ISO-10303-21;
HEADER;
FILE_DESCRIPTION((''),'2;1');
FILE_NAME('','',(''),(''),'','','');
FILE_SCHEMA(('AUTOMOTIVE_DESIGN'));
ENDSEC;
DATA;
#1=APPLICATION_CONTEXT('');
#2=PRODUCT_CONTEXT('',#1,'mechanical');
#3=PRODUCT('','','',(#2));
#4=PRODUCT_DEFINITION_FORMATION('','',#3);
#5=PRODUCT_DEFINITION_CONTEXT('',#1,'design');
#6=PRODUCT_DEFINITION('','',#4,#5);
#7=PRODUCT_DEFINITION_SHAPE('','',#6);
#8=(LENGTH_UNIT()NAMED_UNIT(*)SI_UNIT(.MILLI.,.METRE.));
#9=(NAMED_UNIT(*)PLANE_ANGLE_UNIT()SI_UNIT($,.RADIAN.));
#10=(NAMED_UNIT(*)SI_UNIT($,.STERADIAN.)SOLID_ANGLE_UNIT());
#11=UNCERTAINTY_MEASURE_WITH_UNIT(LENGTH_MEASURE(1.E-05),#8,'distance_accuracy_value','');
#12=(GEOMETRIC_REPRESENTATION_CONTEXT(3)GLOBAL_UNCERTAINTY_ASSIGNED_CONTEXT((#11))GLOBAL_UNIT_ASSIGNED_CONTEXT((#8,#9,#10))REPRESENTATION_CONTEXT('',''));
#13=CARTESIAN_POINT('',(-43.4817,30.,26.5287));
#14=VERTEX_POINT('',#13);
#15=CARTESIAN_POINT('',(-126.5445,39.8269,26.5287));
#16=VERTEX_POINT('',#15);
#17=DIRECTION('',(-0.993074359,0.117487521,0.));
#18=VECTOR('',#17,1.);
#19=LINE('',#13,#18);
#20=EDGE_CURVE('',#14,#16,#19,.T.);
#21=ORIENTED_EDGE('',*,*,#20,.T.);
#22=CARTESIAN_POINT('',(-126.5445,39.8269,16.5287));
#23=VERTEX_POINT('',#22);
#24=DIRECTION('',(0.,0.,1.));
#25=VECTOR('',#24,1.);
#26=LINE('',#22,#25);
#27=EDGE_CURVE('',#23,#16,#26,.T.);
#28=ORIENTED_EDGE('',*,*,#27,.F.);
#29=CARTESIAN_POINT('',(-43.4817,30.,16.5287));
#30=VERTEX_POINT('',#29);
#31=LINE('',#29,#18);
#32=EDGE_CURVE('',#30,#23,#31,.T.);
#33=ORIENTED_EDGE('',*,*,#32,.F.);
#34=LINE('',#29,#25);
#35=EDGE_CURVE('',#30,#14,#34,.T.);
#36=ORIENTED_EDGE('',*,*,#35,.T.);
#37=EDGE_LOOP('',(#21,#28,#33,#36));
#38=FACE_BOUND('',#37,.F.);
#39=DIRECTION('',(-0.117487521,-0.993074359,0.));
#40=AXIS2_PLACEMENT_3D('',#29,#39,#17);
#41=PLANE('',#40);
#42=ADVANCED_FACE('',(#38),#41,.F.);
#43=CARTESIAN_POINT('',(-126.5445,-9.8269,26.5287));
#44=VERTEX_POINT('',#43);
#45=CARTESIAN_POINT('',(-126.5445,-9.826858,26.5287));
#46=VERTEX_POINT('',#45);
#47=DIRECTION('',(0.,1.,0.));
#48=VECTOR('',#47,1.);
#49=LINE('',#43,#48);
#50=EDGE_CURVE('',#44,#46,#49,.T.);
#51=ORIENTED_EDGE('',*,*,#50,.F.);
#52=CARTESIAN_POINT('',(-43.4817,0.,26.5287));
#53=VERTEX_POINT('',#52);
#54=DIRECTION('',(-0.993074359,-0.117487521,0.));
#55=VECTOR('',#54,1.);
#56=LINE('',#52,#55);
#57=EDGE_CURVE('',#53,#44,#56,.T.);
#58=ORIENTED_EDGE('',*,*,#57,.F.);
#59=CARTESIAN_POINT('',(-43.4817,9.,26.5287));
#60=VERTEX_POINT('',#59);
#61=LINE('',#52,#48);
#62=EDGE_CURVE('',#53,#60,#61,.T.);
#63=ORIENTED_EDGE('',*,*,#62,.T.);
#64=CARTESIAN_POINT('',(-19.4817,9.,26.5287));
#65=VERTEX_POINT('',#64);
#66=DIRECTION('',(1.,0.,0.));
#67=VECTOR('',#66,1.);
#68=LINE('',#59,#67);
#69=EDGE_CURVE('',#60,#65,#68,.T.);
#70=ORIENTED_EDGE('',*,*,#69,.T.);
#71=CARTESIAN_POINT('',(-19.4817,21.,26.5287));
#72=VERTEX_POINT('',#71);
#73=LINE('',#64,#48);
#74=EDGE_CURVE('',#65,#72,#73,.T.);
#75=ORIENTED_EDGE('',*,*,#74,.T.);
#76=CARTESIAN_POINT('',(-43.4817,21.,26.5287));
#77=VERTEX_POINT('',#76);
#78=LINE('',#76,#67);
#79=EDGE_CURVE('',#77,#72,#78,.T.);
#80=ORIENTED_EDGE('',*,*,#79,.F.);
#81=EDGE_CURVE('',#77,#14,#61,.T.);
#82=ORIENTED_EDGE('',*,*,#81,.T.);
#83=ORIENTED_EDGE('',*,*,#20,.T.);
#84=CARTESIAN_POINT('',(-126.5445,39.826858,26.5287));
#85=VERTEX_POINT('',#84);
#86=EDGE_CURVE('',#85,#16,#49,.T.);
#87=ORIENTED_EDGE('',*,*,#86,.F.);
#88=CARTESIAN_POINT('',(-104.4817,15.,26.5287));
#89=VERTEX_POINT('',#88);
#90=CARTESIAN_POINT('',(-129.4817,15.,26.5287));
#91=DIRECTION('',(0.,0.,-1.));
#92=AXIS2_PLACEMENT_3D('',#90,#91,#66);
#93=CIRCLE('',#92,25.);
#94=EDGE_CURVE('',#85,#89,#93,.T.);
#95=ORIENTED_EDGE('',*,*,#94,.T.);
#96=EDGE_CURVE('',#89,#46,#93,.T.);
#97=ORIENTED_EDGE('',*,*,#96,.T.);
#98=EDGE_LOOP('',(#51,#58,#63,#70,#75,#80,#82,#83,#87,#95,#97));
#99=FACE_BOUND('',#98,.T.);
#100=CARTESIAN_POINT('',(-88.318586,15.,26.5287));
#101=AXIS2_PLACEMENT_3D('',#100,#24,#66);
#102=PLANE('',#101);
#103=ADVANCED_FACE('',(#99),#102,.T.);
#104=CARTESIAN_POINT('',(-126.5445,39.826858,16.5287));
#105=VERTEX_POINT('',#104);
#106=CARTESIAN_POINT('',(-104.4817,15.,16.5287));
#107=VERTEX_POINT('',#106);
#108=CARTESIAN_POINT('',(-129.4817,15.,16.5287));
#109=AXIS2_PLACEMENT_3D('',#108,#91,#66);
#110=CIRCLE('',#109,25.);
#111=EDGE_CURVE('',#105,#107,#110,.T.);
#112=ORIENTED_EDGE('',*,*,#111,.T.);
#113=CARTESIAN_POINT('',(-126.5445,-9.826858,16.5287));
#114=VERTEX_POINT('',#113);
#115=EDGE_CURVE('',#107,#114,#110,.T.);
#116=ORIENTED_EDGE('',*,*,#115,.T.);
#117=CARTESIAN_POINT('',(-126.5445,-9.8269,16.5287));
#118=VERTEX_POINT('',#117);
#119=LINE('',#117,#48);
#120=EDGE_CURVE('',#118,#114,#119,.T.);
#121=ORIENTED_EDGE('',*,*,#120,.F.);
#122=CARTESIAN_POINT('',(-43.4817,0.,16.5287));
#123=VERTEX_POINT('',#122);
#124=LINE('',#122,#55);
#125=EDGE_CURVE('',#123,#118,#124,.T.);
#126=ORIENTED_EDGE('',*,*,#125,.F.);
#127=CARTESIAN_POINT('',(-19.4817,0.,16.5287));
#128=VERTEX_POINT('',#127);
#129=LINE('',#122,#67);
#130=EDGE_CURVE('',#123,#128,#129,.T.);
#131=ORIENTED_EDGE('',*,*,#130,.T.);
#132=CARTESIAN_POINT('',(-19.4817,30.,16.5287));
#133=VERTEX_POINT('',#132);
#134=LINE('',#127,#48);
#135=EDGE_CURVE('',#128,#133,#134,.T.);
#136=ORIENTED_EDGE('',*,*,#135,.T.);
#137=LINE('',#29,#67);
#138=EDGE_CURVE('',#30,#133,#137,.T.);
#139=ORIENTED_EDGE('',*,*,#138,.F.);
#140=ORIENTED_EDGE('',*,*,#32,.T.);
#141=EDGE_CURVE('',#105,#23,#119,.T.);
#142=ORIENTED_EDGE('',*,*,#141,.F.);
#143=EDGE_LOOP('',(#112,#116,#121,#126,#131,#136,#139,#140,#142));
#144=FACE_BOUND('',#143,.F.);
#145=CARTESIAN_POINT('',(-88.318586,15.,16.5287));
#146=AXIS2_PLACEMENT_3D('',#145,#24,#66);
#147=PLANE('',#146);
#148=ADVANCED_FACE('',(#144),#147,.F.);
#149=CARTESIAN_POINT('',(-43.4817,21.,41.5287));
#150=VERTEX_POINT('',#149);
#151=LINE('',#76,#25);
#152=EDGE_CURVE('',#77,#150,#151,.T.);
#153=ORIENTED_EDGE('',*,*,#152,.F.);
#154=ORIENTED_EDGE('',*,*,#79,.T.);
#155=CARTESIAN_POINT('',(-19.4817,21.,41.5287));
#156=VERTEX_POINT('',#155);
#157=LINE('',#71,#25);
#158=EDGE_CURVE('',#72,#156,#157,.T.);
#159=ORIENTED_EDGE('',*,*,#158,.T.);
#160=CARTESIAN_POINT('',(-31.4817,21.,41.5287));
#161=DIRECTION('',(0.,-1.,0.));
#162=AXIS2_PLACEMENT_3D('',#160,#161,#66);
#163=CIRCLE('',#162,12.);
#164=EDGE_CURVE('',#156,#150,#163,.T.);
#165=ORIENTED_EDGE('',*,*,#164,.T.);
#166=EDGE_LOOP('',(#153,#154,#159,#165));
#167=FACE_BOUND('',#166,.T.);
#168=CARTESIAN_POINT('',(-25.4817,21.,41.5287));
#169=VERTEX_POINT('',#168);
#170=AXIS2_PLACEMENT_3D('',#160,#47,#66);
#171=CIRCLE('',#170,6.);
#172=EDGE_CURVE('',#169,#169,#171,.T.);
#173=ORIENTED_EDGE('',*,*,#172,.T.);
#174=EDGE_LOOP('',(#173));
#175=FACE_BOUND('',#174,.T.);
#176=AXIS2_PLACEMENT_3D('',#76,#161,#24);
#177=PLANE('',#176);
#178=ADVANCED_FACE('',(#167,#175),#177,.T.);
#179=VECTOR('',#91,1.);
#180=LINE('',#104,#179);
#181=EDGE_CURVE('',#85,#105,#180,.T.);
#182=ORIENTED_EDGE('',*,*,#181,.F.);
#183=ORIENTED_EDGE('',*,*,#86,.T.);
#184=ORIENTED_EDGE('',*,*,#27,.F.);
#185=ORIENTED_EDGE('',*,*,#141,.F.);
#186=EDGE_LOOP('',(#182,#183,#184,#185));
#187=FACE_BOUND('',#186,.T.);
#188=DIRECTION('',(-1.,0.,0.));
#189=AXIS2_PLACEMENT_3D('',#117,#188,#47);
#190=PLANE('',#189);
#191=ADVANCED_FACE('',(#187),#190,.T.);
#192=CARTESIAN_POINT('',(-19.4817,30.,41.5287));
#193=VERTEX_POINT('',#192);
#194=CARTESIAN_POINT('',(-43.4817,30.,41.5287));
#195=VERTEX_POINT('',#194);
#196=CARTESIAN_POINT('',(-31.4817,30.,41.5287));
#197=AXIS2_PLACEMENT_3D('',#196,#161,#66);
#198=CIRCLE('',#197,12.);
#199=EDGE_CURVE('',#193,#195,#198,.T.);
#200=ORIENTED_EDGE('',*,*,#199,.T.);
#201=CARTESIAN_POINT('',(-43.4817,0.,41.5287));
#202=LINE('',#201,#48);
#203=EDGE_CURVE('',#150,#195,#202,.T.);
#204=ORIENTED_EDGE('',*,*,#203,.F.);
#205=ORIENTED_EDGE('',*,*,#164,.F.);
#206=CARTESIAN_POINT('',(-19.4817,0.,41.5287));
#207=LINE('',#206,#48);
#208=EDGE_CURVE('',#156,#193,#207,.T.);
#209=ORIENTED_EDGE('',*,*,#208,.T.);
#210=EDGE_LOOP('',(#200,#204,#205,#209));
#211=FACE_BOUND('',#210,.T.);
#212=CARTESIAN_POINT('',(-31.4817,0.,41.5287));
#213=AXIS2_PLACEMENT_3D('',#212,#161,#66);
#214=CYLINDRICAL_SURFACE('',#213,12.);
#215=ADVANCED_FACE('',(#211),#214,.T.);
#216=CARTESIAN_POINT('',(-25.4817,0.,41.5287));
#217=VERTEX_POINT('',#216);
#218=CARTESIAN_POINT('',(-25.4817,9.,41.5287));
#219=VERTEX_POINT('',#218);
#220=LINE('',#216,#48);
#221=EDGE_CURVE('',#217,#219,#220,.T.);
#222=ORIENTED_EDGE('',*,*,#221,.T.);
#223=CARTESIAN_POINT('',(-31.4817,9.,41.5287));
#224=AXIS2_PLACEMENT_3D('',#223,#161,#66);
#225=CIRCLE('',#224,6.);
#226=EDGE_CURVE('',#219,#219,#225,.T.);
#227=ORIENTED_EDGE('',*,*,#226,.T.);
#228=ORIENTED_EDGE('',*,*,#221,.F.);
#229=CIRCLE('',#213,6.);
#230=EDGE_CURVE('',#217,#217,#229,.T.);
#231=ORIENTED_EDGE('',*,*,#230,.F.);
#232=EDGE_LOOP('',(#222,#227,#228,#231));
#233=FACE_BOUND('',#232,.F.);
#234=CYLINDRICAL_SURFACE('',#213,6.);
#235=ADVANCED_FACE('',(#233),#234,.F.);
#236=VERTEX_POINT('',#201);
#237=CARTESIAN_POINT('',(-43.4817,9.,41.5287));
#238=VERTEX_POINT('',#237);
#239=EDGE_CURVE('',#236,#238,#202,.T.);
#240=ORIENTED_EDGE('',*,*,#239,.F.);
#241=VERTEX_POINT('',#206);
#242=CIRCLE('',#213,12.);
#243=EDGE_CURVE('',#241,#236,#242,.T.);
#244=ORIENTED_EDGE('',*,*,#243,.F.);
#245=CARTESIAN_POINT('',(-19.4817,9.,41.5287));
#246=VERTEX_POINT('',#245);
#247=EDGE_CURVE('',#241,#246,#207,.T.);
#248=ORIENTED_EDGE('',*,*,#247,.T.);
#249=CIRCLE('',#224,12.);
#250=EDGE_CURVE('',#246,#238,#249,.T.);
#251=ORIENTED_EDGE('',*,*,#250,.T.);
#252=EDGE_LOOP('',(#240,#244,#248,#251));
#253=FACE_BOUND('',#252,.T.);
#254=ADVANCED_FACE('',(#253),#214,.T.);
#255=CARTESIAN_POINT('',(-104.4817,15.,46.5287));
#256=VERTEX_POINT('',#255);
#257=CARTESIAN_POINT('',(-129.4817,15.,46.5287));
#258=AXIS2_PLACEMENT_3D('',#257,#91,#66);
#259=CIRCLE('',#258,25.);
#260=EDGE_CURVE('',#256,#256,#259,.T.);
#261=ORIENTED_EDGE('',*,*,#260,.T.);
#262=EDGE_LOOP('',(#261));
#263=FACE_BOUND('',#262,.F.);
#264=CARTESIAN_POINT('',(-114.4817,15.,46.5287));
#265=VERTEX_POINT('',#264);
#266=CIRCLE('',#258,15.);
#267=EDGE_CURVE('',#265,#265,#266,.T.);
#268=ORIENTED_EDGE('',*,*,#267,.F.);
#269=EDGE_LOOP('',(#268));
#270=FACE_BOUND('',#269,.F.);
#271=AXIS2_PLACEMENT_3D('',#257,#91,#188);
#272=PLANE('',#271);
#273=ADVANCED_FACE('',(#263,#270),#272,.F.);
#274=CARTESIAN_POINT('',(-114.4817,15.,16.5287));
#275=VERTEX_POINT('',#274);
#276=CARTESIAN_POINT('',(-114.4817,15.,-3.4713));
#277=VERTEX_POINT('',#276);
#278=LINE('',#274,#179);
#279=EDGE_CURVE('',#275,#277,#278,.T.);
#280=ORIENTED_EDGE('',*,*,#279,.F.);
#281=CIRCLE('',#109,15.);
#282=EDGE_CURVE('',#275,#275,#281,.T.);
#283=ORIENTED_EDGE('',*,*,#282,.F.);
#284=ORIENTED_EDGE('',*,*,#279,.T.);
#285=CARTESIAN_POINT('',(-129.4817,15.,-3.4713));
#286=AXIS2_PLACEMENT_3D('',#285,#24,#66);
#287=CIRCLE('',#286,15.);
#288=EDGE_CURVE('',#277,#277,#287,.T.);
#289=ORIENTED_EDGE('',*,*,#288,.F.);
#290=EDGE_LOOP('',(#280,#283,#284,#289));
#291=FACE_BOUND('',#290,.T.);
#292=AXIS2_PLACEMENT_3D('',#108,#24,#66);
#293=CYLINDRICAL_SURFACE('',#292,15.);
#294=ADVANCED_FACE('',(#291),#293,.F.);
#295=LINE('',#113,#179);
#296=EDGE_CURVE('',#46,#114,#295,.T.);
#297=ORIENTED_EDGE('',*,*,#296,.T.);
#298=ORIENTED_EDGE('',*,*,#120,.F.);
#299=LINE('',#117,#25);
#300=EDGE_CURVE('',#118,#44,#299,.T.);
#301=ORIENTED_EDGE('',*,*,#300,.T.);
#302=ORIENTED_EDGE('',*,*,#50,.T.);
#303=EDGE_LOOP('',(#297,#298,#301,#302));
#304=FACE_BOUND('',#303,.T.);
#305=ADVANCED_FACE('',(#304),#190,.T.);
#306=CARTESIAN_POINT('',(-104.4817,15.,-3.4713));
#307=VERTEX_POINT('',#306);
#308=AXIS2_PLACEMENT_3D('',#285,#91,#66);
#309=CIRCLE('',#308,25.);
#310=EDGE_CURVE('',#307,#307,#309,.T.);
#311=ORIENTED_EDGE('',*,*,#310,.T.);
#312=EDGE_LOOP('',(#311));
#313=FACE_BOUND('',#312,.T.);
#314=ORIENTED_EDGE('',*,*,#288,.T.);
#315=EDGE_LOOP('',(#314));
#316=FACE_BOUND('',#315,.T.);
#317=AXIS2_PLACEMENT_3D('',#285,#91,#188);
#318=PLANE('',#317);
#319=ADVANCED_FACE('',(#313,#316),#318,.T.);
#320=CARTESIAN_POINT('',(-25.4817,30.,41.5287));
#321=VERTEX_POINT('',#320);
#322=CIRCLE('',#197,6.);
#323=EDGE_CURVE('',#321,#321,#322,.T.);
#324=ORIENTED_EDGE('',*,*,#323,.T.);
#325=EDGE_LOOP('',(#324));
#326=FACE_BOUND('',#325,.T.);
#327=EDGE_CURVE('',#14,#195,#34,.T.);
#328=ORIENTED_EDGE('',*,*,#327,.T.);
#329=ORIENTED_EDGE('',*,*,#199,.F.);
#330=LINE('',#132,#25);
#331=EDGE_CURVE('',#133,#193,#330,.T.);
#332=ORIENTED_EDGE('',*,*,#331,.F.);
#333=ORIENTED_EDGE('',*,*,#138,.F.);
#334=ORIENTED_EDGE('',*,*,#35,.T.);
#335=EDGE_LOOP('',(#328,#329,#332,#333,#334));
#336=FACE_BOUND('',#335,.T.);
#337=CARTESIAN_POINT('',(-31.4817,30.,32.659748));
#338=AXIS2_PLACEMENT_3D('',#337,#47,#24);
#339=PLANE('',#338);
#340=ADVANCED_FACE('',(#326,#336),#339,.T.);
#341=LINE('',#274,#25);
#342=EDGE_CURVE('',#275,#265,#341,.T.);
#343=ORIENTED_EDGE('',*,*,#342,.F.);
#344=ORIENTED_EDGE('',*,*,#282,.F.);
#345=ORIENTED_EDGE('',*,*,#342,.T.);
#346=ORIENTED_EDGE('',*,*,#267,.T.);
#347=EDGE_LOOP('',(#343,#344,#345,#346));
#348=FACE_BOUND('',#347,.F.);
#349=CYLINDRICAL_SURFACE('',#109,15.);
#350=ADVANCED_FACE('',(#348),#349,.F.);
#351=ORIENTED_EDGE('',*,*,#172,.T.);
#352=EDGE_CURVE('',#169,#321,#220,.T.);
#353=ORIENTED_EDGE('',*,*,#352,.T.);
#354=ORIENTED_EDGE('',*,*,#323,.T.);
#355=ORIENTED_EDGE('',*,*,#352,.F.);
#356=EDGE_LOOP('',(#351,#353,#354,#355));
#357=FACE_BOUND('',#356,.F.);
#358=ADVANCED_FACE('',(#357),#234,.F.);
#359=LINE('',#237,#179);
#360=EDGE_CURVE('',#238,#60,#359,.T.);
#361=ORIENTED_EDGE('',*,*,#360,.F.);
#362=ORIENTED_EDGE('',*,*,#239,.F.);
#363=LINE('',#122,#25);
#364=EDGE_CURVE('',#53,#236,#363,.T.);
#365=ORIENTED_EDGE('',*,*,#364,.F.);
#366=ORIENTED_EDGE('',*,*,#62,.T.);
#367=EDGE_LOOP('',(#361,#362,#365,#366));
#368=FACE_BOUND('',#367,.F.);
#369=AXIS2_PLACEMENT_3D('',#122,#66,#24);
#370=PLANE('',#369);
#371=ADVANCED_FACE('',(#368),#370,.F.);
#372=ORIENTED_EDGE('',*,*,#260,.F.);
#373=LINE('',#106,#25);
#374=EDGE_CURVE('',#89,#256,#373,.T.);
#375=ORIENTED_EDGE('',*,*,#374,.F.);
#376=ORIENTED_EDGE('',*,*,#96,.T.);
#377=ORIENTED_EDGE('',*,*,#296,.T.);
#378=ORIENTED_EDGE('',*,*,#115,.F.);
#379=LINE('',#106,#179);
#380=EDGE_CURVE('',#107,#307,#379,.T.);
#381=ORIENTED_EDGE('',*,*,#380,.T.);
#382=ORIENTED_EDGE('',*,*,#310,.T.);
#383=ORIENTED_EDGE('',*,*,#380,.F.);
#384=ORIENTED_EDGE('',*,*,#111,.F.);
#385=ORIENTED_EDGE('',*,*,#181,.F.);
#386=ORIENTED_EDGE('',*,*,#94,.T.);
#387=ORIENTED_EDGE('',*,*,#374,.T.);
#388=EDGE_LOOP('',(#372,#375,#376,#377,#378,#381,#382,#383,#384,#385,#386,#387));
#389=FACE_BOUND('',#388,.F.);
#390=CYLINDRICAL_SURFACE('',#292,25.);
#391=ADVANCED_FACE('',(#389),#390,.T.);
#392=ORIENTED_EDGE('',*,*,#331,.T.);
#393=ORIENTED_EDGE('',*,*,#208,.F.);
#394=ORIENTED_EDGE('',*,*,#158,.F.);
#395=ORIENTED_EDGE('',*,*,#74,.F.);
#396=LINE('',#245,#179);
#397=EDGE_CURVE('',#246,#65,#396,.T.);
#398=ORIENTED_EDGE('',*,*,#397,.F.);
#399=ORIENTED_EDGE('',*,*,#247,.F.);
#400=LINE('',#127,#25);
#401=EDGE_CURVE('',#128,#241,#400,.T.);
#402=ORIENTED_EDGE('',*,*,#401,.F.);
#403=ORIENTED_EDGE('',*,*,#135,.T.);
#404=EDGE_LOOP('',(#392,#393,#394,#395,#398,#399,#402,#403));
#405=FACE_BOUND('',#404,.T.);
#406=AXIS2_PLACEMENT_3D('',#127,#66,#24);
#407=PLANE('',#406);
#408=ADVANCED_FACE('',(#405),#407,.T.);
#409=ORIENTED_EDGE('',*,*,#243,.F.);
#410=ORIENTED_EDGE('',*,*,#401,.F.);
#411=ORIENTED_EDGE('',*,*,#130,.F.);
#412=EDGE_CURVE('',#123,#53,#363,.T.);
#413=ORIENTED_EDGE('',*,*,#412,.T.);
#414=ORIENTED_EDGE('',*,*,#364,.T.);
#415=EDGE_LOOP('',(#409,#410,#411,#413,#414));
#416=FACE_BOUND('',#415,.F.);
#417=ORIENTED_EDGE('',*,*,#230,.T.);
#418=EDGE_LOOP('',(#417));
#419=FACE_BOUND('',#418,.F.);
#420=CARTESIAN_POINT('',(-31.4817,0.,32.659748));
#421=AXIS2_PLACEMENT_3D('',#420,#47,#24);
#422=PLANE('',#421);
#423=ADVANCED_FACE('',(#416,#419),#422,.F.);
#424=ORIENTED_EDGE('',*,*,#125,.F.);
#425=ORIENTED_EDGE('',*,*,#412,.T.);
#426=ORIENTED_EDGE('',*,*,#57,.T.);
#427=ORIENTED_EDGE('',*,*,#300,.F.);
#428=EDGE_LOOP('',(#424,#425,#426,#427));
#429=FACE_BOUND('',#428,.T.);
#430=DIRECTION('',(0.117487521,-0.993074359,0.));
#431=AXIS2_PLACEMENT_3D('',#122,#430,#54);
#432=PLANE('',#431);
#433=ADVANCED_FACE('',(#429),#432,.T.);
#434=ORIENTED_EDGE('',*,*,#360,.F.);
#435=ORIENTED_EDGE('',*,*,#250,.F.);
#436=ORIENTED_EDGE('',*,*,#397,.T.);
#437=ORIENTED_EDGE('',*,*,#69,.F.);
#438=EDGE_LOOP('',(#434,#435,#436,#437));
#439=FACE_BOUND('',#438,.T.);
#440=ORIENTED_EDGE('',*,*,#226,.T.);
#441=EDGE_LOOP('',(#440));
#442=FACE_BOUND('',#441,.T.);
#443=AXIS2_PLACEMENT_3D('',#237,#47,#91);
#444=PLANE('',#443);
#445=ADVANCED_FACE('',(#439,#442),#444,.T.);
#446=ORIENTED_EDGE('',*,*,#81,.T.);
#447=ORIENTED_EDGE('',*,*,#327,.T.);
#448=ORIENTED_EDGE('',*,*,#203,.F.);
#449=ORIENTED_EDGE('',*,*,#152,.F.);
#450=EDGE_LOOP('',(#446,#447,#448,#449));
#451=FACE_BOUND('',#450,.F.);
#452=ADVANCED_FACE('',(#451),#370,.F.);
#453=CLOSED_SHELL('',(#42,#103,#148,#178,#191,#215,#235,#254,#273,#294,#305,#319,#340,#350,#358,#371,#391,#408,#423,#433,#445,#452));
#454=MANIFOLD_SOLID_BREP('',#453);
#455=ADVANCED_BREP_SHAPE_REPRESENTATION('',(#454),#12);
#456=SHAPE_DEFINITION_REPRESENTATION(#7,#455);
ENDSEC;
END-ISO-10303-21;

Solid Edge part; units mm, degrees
sketch "Sketch1" plane through (0, 0, 0) normal (0, -1, 0) x (1, 0, 0)
  line L0 (-43.4817, 16.5287) -> (-43.4817, 41.5287)
  line L1 (-19.4817, 16.5287) -> (-19.4817, 41.5287)
  line L2 (-43.4817, 16.5287) -> (-19.4817, 16.5287)
  arc A0 (-19.4817, 41.5287) -> (-43.4817, 41.5287) centre (-31.4817, 41.5287) ccw
extrude "Protrusion1" add sketch "Sketch1" against normal blind 30
sketch "Sketch2" plane through (0, 0, 0) normal (0, -1, 0) x (1, 0, 0)
  circle A0 centre (-31.4817, 41.5287) radius 6
extrude "ExtrudedCutout_1" cut sketch "Sketch2" against normal blind 30
sketch "Sketch3" plane through (-43.4817, 15, 29.0287) normal (-1, 0, 0) x (0, -1, 0)
  line L0 (6, 12.5) -> (6, -2.5)
  line L1 (6, -2.5) -> (-6, -2.5)
  line L2 (-6, -2.5) -> (-6, 12.5)
  line L3 (-6, 12.5) -> (-6, 28.2339)
  line L4 (6, 28.2339) -> (-6, 28.2339)
  line L5 (6, 12.5) -> (6, 28.2339)
extrude "ExtrudedCutout_2" cut sketch "Sketch3" against normal blind 24
sketch "Sketch4" plane through (-31.4817, 15, 16.5287) normal (0, 0, -1) x (1, 0, 0)
  circle A0 centre (-98, 0) radius 25
extrude "ExtrudedProtrusion_2" add sketch "Sketch4" along normal blind 20
sketch "Sketch5" plane through (-31.4817, 15, 16.5287) normal (0, 0, -1) x (1, 0, 0)
  circle A0 centre (-98, 0) radius 25
extrude "ExtrudedProtrusion_3" add sketch "Sketch5" against normal blind 30
sketch "Sketch6" plane through (-31.4817, 15, 16.5287) normal (0, 0, -1) x (1, 0, 0)
  line L0 (-12, -15) -> (-95.0628, -24.8269)
  line L1 (-95.0628, 24.8269) -> (-95.0628, -24.8269)
  line L2 (-12, 15) -> (-95.0628, 24.8269)
  line L3 (-12, 15) -> (-12, -15)
extrude "Protrusion2" add sketch "Sketch6" against normal blind 10
sketch "Sketch7" plane through (-31.4817, 15, 16.5287) normal (0, 0, -1) x (1, 0, 0)
  circle A0 centre (-98, 0) radius 15
extrude "Cutout1" cut sketch "Sketch7" along normal mid plane 75.5501
